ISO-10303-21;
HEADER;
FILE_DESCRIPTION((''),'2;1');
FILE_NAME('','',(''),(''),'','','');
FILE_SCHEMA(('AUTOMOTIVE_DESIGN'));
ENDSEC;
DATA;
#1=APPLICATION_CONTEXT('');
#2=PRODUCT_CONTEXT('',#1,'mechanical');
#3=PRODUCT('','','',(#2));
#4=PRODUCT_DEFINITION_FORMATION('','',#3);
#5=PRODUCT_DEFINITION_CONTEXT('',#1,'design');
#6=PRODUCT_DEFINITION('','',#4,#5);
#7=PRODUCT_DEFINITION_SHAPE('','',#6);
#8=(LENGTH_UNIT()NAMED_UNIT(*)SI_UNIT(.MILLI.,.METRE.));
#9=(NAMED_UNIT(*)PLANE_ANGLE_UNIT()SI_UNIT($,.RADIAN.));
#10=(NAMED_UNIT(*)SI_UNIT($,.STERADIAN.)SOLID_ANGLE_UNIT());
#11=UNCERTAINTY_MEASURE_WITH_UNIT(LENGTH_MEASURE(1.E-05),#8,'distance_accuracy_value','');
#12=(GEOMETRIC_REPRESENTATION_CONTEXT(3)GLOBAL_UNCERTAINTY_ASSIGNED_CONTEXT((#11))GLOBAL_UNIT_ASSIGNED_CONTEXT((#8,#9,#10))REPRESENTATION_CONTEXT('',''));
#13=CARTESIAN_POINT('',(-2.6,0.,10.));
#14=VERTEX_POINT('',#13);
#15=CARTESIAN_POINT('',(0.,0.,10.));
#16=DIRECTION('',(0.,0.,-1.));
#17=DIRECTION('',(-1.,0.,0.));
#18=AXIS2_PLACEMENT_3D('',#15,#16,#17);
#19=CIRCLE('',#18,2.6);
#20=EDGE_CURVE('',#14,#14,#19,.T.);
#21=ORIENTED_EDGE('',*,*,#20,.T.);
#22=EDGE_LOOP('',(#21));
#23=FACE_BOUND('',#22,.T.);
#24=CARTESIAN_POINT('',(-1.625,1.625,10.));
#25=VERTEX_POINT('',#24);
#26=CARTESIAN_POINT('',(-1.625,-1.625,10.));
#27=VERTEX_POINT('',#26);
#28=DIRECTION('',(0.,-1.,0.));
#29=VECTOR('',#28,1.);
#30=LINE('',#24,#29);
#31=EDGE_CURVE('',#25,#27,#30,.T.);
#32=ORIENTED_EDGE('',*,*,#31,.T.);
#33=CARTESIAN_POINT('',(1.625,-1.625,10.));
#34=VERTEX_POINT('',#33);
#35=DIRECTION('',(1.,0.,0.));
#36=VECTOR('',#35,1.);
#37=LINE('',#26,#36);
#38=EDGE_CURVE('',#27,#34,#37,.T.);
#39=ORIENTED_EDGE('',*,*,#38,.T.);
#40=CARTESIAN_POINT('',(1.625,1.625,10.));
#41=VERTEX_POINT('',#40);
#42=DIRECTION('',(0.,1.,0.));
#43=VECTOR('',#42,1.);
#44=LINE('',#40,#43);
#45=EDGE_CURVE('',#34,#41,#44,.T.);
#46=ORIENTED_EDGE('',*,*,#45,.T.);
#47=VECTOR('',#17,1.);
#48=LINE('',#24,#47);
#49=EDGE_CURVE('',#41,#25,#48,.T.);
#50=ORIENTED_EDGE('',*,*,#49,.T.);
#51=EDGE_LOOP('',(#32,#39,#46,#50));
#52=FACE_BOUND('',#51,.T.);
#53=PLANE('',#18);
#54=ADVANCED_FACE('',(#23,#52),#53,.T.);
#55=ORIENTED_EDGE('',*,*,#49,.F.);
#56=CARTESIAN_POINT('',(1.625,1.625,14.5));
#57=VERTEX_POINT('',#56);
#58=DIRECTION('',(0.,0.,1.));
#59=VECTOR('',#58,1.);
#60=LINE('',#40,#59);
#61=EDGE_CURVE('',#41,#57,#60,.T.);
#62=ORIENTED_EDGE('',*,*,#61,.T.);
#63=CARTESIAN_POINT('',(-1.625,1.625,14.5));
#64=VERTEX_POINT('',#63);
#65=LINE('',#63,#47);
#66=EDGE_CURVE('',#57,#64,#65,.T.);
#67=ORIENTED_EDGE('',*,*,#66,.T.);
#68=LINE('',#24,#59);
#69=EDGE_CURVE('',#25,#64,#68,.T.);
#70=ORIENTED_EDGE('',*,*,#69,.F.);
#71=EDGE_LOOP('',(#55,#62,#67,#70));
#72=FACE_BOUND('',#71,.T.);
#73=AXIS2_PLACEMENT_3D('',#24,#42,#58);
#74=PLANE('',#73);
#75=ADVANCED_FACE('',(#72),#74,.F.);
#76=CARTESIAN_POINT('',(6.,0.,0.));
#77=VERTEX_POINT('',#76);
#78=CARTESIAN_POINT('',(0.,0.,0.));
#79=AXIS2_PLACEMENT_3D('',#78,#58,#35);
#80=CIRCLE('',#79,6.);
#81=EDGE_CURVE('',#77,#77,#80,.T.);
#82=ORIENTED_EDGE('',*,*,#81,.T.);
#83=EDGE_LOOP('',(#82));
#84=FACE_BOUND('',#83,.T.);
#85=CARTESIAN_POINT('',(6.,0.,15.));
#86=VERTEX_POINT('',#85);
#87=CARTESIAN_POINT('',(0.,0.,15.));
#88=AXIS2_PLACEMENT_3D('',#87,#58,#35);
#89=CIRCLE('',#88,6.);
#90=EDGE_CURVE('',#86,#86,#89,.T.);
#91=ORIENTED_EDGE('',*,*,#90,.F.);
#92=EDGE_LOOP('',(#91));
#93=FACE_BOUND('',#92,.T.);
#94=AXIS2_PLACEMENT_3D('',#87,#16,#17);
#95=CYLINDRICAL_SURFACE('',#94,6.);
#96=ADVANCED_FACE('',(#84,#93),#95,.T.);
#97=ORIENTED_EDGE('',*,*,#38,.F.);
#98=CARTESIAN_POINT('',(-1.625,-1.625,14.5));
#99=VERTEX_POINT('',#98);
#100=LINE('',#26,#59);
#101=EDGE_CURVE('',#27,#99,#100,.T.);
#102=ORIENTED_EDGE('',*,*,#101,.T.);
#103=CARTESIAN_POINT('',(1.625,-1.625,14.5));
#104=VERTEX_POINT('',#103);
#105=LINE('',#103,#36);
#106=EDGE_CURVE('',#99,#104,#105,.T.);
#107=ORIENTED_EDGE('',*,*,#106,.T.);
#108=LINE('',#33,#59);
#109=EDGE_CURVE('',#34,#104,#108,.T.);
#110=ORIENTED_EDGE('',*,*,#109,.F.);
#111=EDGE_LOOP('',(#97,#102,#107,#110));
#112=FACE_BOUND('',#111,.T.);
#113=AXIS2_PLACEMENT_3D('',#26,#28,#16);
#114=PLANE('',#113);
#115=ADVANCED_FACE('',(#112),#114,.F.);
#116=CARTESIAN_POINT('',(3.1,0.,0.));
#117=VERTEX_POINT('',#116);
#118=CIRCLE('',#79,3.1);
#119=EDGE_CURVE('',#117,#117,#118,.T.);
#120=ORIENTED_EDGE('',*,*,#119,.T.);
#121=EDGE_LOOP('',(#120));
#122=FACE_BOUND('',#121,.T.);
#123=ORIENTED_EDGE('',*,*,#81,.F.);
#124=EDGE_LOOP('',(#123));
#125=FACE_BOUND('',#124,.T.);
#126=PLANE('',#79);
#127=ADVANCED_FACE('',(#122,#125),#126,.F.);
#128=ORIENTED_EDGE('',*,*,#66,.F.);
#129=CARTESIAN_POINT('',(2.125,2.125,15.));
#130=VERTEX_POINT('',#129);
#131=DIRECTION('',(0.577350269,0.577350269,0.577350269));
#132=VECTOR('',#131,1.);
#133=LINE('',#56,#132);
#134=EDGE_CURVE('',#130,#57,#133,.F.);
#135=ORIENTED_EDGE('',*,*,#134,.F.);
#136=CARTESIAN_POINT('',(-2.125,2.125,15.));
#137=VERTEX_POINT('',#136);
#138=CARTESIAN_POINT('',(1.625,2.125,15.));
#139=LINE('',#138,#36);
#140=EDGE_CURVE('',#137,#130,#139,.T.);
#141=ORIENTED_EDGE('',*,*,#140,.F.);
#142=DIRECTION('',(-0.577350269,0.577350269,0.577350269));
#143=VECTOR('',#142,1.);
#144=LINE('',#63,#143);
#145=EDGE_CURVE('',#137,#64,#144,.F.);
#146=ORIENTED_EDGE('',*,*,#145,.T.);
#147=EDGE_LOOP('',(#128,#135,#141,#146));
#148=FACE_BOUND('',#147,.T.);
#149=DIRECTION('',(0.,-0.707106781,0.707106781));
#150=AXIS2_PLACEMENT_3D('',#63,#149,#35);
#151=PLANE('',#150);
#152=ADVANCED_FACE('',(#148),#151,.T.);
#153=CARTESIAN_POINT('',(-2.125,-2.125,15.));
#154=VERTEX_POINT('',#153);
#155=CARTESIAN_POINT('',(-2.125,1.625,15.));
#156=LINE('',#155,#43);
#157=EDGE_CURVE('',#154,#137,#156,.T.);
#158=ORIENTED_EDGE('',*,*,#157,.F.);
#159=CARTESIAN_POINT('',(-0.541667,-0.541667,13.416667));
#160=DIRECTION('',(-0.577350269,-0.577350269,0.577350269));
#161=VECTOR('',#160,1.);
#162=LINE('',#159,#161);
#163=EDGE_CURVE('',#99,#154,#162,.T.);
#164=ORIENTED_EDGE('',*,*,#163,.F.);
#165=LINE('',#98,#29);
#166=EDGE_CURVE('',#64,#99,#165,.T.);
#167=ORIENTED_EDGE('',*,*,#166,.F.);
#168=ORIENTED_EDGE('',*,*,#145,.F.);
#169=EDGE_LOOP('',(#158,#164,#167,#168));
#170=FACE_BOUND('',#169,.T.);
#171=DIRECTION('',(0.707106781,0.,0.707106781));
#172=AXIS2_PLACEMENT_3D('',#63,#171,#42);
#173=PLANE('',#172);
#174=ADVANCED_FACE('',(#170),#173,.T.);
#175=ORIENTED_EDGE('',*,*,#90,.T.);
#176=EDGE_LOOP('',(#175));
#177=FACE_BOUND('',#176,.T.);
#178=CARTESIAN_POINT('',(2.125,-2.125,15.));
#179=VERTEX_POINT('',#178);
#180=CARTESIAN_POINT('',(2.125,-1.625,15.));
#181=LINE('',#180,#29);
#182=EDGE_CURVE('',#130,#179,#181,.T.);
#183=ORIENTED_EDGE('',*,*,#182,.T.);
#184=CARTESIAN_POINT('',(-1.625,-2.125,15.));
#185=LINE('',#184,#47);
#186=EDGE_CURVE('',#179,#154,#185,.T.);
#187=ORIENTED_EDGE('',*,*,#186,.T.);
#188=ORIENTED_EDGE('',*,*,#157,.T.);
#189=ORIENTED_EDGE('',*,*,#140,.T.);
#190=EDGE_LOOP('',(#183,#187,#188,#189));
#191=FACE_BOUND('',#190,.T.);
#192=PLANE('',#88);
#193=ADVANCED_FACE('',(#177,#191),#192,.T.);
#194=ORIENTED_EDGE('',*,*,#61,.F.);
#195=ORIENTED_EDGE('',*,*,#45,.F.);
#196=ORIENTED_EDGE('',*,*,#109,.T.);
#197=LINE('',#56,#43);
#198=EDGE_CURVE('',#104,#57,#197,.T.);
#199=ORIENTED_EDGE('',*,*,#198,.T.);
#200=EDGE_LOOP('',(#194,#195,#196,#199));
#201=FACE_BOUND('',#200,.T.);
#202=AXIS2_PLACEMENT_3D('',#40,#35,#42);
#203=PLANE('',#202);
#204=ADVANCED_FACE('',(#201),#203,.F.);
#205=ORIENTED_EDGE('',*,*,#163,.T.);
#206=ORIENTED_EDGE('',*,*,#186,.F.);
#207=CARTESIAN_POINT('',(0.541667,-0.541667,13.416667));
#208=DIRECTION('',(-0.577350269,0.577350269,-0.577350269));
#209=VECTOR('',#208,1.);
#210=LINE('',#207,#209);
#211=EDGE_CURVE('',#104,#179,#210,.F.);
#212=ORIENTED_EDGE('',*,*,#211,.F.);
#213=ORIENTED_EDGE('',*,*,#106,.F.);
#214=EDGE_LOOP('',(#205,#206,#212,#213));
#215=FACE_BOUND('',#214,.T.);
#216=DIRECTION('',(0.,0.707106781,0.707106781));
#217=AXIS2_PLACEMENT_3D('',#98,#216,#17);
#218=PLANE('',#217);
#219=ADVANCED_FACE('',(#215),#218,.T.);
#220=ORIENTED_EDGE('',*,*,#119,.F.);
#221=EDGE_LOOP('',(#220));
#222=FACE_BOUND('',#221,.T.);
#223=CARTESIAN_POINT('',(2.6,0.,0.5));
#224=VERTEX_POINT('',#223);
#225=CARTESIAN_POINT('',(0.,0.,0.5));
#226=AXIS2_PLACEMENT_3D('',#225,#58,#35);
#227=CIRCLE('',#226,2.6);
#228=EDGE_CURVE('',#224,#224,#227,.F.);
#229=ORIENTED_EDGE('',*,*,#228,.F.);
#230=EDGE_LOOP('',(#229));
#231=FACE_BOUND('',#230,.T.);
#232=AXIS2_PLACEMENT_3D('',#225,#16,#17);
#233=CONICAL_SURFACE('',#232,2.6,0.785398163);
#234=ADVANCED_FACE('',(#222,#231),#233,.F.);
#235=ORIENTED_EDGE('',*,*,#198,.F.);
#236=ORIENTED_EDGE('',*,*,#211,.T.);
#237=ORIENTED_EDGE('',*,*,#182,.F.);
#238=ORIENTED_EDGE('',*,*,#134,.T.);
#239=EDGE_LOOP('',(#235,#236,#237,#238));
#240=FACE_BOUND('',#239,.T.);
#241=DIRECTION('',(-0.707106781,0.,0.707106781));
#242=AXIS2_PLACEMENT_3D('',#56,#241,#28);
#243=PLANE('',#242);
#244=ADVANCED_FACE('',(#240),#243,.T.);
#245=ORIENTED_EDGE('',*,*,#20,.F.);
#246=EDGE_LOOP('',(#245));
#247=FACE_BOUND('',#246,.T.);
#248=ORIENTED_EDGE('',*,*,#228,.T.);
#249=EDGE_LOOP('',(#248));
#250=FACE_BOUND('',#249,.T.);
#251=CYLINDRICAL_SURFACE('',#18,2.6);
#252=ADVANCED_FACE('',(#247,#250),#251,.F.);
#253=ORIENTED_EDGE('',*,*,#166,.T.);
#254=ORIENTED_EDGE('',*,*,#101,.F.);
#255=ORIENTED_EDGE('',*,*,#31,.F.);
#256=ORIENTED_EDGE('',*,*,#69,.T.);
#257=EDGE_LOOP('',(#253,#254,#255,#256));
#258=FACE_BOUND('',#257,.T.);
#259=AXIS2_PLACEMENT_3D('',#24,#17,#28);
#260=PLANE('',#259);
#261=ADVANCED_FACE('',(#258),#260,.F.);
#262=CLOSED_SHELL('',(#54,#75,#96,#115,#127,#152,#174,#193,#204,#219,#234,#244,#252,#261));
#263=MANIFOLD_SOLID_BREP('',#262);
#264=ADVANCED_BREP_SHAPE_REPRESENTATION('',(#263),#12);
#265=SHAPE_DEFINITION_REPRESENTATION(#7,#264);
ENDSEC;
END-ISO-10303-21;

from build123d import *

# Parameters (mm, degrees)
SKETCH1_R           = 6
BOSS_EXTRUDE1_DEPTH = 15
SKETCH2_R           = 2.6
CUT_EXTRUDE1_DEPTH  = 10
SKETCH5_W           = 3.25
SKETCH5_H           = 3.25
CUT_EXTRUDE2_DEPTH  = 5
CHAMFER1_SIZE       = 0.5


with BuildPart() as part:
    # Sketch1 → Boss-Extrude1 (new body)
    with BuildSketch(Plane.XY):
        Circle(SKETCH1_R)
    extrude(amount=BOSS_EXTRUDE1_DEPTH)

    # Sketch2 → Cut-Extrude1 (cut)
    with BuildSketch(Plane(origin=(0, 0, 0), x_dir=(-1, 0, 0), z_dir=(0, 0, -1))):
        Circle(SKETCH2_R)
    extrude(amount=-CUT_EXTRUDE1_DEPTH, mode=Mode.SUBTRACT)

    # Sketch5 → Cut-Extrude2 (cut)
    with BuildSketch(Plane.XY.offset(15)):
        Rectangle(SKETCH5_W, SKETCH5_H)
    extrude(amount=-CUT_EXTRUDE2_DEPTH, mode=Mode.SUBTRACT)

    # Chamfer1
    chamfer1_edges = [part.edges().sort_by_distance(p)[0] for p in [
        (1.625, 0, 15),
        (0, 1.625, 15),
        (-1.625, 0, 15),
        (0, -1.625, 15),
        (2.6, 0, 0),
    ]]
    chamfer(chamfer1_edges, length=CHAMFER1_SIZE)


solid = part.part
